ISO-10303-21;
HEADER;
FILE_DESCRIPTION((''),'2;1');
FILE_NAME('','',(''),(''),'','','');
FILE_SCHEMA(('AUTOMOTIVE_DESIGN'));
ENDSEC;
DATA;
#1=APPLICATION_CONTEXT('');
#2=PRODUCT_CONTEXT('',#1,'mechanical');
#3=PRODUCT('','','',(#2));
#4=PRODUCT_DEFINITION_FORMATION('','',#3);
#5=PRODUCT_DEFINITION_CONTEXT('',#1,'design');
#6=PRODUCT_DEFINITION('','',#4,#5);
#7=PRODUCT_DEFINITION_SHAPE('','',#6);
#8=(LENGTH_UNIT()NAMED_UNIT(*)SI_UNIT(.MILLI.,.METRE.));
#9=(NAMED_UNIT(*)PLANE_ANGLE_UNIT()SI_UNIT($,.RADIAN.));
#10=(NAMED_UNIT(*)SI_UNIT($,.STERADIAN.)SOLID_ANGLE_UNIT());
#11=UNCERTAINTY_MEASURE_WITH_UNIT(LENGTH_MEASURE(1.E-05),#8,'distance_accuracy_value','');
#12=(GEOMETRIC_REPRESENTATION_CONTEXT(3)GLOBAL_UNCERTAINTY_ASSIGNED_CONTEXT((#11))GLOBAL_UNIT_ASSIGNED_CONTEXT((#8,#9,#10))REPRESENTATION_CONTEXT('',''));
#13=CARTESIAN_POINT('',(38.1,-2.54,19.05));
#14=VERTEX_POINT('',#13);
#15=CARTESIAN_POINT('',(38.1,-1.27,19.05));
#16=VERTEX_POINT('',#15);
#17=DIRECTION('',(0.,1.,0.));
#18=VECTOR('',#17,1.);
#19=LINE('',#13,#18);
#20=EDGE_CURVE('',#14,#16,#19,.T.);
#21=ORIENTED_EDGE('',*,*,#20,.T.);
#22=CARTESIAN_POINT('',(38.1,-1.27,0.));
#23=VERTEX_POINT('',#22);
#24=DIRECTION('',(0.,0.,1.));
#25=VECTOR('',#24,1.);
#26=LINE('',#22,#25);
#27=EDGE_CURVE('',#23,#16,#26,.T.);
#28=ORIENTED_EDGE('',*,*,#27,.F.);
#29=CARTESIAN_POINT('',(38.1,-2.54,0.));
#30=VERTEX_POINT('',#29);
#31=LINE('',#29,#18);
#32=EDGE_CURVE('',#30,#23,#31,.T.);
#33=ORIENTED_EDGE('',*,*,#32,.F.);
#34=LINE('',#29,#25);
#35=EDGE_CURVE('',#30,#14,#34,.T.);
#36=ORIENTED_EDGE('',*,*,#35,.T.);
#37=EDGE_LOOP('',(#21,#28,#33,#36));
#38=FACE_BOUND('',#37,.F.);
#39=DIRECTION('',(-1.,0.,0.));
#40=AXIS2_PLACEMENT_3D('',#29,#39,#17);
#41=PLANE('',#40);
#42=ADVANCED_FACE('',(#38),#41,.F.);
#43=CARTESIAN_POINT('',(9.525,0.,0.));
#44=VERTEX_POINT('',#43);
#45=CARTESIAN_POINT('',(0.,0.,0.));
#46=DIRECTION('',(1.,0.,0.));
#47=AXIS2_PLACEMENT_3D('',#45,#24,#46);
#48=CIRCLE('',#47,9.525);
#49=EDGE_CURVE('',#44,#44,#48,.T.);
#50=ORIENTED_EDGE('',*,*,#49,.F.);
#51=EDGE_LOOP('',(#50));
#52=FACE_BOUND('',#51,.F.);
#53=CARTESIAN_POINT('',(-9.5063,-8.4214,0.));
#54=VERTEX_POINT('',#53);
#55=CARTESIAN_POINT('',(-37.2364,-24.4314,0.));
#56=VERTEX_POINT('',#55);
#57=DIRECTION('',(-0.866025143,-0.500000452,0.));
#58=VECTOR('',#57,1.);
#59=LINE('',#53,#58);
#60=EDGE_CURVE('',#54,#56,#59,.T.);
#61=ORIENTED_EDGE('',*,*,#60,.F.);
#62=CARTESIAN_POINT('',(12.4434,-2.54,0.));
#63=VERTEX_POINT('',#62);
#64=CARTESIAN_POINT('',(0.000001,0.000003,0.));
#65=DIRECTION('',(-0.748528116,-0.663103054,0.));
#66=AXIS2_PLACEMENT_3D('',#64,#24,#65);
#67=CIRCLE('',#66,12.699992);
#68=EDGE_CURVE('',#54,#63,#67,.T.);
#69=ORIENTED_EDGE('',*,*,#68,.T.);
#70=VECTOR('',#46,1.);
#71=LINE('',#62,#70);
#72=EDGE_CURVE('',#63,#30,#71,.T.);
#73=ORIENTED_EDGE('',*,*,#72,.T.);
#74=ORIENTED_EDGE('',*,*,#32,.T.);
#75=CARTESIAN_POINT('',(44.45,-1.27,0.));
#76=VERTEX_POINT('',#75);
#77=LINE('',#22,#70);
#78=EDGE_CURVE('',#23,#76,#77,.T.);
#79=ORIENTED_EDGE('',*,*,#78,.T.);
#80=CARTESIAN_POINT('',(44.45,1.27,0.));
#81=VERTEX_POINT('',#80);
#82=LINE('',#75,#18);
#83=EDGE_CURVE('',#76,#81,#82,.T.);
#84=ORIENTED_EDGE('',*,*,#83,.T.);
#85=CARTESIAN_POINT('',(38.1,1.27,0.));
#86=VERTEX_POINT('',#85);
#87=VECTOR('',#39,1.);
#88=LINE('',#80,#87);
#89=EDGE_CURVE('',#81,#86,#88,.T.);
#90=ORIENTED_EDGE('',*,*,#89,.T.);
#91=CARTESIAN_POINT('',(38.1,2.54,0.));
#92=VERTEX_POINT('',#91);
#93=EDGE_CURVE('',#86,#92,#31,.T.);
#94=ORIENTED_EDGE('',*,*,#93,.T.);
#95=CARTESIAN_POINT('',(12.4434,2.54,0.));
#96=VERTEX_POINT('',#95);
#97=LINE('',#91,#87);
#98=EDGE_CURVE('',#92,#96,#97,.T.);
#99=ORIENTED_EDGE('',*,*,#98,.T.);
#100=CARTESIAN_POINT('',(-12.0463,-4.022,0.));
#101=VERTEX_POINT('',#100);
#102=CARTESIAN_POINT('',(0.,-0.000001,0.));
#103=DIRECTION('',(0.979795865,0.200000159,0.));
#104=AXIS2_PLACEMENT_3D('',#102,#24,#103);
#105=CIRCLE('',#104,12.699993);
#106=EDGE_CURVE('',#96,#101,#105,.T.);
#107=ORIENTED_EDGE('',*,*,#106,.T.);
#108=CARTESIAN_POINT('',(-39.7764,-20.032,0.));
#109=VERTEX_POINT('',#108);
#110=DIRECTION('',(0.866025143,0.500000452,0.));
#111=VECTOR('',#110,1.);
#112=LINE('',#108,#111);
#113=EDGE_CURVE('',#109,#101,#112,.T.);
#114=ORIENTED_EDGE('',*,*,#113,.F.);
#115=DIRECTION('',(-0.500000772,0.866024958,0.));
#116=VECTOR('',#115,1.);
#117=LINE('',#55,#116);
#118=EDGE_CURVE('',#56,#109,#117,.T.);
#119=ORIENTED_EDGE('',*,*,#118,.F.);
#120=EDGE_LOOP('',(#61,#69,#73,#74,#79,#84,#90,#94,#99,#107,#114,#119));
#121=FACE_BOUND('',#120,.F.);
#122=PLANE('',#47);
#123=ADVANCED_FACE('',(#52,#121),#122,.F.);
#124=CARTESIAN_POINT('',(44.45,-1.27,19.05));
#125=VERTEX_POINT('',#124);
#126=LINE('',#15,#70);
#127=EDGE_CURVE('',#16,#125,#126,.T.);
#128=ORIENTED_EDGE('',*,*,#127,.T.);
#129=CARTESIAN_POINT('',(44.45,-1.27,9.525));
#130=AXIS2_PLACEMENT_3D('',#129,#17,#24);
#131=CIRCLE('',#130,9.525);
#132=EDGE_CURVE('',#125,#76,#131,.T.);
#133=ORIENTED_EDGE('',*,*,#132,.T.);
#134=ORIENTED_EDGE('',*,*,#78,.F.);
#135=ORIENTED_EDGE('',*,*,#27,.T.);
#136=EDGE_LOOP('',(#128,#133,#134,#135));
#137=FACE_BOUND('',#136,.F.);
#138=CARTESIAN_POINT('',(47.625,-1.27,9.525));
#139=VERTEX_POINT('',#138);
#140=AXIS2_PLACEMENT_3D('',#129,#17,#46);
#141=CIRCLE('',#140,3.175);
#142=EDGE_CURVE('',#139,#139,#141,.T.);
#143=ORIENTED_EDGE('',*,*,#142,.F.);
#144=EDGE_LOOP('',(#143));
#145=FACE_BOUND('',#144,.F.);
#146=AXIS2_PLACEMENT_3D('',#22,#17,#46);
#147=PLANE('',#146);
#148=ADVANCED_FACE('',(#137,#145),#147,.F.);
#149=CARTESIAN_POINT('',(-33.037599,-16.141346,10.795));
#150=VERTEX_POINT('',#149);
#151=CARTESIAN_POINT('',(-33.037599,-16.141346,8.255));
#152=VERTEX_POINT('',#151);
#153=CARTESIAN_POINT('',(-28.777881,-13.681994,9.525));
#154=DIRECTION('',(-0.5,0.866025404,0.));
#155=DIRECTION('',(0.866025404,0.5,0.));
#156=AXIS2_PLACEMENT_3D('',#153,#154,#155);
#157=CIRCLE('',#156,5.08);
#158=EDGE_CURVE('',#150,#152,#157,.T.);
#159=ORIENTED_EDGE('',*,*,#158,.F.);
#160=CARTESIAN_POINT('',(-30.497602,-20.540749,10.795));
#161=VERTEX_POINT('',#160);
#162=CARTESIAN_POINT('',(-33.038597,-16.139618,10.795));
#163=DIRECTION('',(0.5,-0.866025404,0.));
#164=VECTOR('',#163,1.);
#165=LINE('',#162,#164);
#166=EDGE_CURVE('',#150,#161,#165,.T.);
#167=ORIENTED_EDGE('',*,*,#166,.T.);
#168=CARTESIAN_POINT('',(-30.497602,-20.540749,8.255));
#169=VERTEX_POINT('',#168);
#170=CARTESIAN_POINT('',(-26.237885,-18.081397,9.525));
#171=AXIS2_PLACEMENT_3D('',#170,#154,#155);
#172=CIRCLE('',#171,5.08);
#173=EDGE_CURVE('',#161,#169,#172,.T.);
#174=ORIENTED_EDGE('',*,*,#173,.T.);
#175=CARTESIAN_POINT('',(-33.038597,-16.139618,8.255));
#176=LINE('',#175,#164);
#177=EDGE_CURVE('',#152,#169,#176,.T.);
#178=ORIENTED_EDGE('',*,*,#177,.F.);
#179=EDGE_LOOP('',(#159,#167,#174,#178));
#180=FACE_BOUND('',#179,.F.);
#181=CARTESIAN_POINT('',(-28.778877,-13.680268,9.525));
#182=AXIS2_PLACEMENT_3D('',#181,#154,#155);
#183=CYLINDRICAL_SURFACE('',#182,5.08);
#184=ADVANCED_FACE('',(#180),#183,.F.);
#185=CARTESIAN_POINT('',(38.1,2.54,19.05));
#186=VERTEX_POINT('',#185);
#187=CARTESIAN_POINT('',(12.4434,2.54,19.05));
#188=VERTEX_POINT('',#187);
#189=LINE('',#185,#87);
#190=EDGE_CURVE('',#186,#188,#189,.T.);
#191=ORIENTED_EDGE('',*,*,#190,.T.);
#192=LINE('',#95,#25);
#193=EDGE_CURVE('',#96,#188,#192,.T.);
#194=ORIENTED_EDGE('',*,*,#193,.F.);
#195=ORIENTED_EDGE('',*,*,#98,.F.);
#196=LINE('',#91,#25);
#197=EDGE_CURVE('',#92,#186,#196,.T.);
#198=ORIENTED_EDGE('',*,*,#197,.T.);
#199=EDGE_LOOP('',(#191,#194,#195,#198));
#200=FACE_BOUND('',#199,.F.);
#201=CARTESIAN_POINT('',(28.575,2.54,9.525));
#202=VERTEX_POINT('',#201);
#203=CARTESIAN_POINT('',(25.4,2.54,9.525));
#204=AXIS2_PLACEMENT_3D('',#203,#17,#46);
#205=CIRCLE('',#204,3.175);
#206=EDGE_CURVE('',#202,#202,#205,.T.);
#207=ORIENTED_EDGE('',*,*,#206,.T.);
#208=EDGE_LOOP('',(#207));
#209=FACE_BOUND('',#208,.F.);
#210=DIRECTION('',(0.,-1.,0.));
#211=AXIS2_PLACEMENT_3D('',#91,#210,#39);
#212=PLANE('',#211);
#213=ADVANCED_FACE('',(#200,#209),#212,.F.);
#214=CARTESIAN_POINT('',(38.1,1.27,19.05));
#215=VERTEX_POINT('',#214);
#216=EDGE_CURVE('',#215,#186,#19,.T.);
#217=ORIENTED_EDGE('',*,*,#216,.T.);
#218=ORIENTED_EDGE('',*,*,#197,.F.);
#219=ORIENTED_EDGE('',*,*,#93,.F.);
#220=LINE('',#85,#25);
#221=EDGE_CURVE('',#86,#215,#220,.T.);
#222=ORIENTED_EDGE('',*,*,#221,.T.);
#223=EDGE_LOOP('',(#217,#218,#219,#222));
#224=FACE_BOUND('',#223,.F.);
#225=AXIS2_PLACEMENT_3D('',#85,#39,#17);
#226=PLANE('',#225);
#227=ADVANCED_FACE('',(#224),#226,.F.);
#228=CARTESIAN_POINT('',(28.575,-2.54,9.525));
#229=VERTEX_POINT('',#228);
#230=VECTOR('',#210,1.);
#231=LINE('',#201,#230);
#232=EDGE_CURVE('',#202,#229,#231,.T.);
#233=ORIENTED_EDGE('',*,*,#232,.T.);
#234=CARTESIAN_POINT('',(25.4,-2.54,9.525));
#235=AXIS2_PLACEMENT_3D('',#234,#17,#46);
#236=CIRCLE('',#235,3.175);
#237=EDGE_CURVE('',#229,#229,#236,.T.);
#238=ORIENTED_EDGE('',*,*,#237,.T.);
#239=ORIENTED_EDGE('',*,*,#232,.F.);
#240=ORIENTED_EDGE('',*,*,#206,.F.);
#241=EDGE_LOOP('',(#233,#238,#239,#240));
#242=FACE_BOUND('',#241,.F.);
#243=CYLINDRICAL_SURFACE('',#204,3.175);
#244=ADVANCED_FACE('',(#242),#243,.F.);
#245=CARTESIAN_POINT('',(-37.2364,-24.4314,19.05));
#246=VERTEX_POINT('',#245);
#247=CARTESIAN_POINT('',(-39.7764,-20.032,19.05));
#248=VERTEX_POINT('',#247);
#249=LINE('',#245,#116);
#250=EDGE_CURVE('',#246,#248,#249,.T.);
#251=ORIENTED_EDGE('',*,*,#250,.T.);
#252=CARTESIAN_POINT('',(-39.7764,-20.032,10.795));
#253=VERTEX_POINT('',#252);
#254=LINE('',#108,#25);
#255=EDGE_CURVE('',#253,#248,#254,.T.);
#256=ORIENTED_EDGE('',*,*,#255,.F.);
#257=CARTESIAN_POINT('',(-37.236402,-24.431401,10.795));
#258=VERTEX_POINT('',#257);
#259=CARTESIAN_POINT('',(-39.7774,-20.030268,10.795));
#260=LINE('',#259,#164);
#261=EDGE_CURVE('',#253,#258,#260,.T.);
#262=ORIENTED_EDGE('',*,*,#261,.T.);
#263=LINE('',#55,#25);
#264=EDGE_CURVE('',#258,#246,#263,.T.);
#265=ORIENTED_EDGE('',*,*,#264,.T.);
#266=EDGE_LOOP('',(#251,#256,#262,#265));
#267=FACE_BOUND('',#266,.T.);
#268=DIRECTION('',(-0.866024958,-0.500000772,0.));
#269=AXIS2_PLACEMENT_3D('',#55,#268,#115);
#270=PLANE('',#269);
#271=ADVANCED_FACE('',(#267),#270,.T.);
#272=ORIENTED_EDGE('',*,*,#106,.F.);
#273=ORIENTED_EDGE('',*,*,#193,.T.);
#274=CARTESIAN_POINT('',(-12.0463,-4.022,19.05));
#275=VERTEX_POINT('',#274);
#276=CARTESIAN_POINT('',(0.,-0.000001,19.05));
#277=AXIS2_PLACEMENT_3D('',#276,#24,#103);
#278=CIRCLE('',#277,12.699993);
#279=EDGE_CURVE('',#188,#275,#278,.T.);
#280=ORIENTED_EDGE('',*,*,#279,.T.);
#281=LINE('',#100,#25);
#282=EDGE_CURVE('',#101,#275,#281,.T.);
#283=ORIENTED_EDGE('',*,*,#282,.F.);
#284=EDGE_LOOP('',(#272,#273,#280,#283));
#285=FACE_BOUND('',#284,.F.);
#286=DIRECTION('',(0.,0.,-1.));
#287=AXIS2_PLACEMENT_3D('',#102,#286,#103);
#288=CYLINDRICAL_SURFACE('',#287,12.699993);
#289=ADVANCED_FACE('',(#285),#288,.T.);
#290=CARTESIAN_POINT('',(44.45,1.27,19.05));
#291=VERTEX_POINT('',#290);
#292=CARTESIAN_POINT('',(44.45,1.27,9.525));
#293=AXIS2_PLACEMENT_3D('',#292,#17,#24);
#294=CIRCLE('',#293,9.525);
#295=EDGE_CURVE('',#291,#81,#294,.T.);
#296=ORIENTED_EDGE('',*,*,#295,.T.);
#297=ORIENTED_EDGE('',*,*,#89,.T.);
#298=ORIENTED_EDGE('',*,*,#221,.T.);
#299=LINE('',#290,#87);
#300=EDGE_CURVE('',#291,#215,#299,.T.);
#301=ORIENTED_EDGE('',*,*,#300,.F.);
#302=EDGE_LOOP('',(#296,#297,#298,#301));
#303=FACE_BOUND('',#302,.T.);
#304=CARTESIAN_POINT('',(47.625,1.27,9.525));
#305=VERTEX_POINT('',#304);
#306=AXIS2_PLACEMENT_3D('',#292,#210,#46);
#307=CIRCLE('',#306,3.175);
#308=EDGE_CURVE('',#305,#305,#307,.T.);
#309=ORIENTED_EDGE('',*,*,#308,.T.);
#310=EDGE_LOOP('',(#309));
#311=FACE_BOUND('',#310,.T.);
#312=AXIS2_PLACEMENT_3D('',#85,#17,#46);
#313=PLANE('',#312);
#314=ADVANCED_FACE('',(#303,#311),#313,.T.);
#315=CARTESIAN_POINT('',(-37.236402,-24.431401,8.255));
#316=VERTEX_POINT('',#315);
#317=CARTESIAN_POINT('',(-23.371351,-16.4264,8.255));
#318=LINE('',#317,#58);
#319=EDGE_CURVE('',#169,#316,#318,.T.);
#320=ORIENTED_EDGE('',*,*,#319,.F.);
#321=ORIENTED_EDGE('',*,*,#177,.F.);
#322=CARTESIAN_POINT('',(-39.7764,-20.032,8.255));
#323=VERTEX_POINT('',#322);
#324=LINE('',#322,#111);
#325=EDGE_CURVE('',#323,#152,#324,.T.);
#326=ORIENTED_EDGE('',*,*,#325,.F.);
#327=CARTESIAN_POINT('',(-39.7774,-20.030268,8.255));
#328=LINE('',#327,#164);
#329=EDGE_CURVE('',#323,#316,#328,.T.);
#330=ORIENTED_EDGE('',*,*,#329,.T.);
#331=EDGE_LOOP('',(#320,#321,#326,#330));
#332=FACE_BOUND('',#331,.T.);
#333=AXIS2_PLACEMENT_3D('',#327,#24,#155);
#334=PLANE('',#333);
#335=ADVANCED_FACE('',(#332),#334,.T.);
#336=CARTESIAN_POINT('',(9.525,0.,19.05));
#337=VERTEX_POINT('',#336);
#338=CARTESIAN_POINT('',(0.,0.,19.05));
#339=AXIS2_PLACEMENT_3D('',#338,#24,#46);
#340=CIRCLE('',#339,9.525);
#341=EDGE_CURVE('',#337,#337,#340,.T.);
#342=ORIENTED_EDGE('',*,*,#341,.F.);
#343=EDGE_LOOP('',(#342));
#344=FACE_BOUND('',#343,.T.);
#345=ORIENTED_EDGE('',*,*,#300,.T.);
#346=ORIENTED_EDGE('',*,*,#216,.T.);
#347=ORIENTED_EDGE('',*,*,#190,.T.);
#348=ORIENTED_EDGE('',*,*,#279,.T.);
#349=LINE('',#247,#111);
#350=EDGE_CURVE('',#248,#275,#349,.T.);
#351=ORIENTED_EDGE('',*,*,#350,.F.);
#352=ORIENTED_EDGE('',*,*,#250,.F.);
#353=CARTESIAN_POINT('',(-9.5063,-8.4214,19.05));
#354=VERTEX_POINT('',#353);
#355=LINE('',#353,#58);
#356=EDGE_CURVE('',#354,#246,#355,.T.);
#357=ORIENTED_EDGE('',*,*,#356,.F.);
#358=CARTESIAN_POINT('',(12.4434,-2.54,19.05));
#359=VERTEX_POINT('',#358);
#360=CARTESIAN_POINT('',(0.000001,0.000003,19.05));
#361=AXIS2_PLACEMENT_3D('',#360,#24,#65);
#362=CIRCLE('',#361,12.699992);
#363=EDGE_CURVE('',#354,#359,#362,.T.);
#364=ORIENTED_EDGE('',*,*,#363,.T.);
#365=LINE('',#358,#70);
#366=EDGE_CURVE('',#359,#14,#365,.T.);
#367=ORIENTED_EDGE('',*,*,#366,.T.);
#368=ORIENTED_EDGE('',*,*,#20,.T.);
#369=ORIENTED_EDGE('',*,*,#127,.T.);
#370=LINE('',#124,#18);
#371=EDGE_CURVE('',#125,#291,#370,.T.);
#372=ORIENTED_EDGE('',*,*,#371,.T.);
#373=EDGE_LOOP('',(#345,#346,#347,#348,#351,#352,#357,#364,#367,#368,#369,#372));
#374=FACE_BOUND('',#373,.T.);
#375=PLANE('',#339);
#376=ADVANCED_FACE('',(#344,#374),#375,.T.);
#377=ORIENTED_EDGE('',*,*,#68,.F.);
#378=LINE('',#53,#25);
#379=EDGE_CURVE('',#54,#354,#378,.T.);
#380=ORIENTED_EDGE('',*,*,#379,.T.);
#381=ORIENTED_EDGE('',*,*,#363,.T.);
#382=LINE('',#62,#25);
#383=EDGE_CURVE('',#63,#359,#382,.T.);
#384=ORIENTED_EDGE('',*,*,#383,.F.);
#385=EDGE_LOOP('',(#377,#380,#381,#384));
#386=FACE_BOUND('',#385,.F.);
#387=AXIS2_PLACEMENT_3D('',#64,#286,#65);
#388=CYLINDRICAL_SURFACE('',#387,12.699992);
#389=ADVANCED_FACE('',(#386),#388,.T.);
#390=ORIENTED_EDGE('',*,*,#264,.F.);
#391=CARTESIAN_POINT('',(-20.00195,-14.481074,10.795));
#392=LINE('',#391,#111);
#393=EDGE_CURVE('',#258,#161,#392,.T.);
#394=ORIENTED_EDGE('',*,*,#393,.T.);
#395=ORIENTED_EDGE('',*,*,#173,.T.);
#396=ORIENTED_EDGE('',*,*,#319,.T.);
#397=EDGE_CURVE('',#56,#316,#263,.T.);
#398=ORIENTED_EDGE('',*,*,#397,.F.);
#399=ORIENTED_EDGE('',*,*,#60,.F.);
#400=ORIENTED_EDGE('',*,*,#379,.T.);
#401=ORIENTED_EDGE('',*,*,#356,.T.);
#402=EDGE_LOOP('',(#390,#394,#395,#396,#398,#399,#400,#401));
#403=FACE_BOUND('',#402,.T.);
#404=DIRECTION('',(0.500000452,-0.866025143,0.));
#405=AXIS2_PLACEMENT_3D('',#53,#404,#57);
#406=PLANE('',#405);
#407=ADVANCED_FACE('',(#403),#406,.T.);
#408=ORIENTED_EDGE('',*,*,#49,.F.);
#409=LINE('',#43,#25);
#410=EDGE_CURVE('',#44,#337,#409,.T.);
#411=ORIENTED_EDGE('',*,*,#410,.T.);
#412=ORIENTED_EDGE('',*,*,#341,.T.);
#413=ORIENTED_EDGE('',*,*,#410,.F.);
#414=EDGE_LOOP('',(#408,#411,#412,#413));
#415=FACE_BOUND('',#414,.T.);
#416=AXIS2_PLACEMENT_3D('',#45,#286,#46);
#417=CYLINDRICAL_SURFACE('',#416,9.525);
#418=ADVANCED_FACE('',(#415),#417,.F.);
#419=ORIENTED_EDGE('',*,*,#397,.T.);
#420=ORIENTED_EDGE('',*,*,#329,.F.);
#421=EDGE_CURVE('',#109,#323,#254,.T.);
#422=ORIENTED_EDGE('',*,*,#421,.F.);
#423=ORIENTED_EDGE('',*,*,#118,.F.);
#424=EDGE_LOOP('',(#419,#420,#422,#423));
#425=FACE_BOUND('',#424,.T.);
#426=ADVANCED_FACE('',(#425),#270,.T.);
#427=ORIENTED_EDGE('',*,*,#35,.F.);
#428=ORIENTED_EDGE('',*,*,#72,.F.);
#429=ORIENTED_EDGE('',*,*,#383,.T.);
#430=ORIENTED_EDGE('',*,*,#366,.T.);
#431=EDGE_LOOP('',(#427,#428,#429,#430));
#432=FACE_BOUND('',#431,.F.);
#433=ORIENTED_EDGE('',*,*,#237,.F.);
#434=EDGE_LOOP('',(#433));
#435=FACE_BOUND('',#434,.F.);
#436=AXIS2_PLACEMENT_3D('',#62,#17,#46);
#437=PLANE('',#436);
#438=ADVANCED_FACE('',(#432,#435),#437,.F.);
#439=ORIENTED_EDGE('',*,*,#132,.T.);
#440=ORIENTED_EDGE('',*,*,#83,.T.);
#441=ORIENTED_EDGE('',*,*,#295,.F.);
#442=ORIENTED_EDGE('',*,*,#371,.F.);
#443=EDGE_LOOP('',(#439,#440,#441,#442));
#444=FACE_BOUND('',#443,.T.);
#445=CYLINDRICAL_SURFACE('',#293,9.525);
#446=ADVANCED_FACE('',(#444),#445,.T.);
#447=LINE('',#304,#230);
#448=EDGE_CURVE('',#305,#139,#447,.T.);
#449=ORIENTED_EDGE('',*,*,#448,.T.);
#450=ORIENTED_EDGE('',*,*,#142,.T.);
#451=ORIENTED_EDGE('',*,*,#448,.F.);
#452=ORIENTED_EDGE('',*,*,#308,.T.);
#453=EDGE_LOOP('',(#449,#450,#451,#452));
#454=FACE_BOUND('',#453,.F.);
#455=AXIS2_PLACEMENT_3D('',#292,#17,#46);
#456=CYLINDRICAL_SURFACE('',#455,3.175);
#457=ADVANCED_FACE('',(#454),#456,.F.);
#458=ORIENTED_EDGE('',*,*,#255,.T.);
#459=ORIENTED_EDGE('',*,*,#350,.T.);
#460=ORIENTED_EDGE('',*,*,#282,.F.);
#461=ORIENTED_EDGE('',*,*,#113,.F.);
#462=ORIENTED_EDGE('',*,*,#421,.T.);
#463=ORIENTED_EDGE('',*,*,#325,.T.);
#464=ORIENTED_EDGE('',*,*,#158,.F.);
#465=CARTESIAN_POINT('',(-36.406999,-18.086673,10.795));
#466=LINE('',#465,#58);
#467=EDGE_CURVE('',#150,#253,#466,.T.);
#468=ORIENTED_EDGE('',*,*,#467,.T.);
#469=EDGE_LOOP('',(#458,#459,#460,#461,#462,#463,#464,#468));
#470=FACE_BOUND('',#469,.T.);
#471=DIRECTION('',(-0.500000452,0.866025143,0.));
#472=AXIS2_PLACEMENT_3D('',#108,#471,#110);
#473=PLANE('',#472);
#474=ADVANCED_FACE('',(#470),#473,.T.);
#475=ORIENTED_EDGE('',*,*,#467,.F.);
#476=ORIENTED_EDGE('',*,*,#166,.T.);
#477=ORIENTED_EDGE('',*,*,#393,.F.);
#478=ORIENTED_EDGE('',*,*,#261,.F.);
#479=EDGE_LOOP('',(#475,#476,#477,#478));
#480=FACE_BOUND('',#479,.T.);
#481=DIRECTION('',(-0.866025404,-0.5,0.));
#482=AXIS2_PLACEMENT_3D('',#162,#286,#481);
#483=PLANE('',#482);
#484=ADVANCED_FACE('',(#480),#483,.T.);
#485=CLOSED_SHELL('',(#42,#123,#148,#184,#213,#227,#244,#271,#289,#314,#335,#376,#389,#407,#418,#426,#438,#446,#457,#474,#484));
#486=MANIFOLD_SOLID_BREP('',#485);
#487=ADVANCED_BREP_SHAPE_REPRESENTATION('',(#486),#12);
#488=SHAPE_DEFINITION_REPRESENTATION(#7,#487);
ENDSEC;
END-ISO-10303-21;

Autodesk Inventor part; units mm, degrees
ref_plane "YZ Plane" through (0, 0, 0) normal (1, 0, 0) x (0, 1, 0)
ref_plane "XZ Plane" through (0, 0, 0) normal (0, 1, 0) x (-1, 0, 0)
ref_plane "XY Plane" through (0, 0, 0) normal (0, 0, 1) x (1, 0, 0)
sketch "Boceto1" plane through (0, 0, 0) normal (0, 0, 1) x (1, 0, 0)
  circle A0 centre (0, 0) radius 9.525
  line L0 (12.4434, -2.54) -> (38.1, -2.54)
  line L1 (38.1, -2.54) -> (38.1, 2.54)
  line L2 (38.1, 2.54) -> (12.4434, 2.54)
  line L3 (12.7, 0) -> (9.5196, 0.3221) construction
  line L4 (9.5196, -0.3221) -> (12.7, 0) construction
  line L5 (-9.5063, -8.4214) -> (-37.2364, -24.4314)
  line L6 (-37.2364, -24.4314) -> (-39.7764, -20.032)
  line L7 (-39.7764, -20.032) -> (-12.0463, -4.022)
  line L8 (0.4725, -1.9521) -> (-1.0609, -2.54) construction
  arc A1 (12.4434, 2.54) -> (-12.0463, -4.022) centre (0, 0) ccw
  arc A2 (-9.5063, -8.4214) -> (12.4434, -2.54) centre (0, 0) ccw
  line L9 (38.1, -1.27) -> (44.45, -1.27)
  line L10 (44.45, -1.27) -> (44.45, 1.27)
  line L11 (44.45, 1.27) -> (38.1, 1.27)
  point P0 (-23.3714, -16.4264)
  point P1 (-38.5064, -22.2317)
  point P2 (41.275, -1.27)
  point P3 (41.275, 1.27)
  dimension "d0" = 19.05
  dimension "d3" = 5.08
  dimension "d4" = 2.54
  dimension "d7" = 5.08
  dimension "d8" = 38.5064
  dimension "d9" = 2.54
  dimension "d10" = 44.4634
  dimension "d11" = 3.175
  dimension "d12" = 3.175
  dimension "d13" = 38.1
  dimension "d14" = 6.35
  dimension "d16" = 2.54
  dimension "d17" = 1.27
extrude "Extrusión1" add sketch "Boceto1" along normal blind 19.05
sketch "Boceto2" plane through (38.1, 1.27, 0) normal (0, 1, 0) x (1, 0, 0)
  line L0 (6.35, 0) -> (0, 0) projected
  line L1 (6.35, -19.05) -> (0, -19.05) projected
  line L2 (6.35, 0) -> (6.35, -19.05)
  arc A0 (6.35, -19.05) -> (6.35, 0) centre (6.35, -9.525) ccw
  point P0 (-38.1, 0)
extrude "Extrusión2" add sketch "Boceto2" against normal blind 2.54
sketch "Boceto3" plane through (38.1, 1.27, 19.05) normal (0, 1, 0) x (1, 0, 0)
  line L0 (0, 19.05) -> (0, 0) projected
  line L1 (0, 19.05) -> (0, 9.525)
  line L2 (0, 19.05) -> (6.35, 19.05) projected
  line L3 (0, 0) -> (6.35, 0) projected
  line L4 (6.35, 19.05) -> (6.35, 0)
  line L5 (6.35, 0) -> (6.35, 9.525)
  circle A0 centre (6.35, 9.525) radius 3.175
  point P0 (-38.1, 19.05)
  dimension "d22" = 6.35
extrude "Extrusión3" cut sketch "Boceto3" against normal blind 2.54 contours A0 L4 | L4 A0
sketch "Boceto4" plane through (12.4434, 2.54, 0) normal (0, 1, 0) x (1, 0, 0)
  line L0 (25.7224, -0.5661) -> (25.7224, -18.5033)
  line L1 (25.7224, -18.5033) -> (25.6566, -9.525)
  line L2 (25.6566, 0) -> (25.6566, -19.05) projected
  line L3 (25.6566, -9.525) -> (12.9566, -9.525)
  circle A0 centre (12.9566, -9.525) radius 3.175
  point P0 (-12.4434, 0)
  dimension "d25" = 12.7
  dimension "d26" = 6.35
extrude "Extrusión4" cut sketch "Boceto4" against normal blind 5.08
sketch "Boceto5" plane through (-39.7764, -20.032, 19.05) normal (-0.5, 0.866, 0) x (0.866, 0.5, 0)
  line L0 (0, 19.05) -> (0, 0) projected
  line L1 (0, 0) -> (0, 19.05)
  line L2 (0, 19.05) -> (0, 9.525)
  line L3 (0, 9.525) -> (12.7, 9.525)
  circle A0 centre (12.7, 9.525) radius 5.08
  line L4 (7.7813, 8.255) -> (0, 8.255)
  line L5 (0, 8.255) -> (0, 10.795)
  line L6 (0, 10.795) -> (7.7813, 10.795)
  point P0 (44.4634, 19.05)
  point P1 (6.35, 9.525)
  point P2 (0, 10.795)
  point P3 (0, 8.255)
  dimension "d29" = 12.7
  dimension "d30" = 10.16
  dimension "d31" = 1.27
  dimension "d32" = 1.27
extrude "Extrusión5" cut sketch "Boceto5" against normal blind 5.08
properties part number "Pieza1-Tarea1"
